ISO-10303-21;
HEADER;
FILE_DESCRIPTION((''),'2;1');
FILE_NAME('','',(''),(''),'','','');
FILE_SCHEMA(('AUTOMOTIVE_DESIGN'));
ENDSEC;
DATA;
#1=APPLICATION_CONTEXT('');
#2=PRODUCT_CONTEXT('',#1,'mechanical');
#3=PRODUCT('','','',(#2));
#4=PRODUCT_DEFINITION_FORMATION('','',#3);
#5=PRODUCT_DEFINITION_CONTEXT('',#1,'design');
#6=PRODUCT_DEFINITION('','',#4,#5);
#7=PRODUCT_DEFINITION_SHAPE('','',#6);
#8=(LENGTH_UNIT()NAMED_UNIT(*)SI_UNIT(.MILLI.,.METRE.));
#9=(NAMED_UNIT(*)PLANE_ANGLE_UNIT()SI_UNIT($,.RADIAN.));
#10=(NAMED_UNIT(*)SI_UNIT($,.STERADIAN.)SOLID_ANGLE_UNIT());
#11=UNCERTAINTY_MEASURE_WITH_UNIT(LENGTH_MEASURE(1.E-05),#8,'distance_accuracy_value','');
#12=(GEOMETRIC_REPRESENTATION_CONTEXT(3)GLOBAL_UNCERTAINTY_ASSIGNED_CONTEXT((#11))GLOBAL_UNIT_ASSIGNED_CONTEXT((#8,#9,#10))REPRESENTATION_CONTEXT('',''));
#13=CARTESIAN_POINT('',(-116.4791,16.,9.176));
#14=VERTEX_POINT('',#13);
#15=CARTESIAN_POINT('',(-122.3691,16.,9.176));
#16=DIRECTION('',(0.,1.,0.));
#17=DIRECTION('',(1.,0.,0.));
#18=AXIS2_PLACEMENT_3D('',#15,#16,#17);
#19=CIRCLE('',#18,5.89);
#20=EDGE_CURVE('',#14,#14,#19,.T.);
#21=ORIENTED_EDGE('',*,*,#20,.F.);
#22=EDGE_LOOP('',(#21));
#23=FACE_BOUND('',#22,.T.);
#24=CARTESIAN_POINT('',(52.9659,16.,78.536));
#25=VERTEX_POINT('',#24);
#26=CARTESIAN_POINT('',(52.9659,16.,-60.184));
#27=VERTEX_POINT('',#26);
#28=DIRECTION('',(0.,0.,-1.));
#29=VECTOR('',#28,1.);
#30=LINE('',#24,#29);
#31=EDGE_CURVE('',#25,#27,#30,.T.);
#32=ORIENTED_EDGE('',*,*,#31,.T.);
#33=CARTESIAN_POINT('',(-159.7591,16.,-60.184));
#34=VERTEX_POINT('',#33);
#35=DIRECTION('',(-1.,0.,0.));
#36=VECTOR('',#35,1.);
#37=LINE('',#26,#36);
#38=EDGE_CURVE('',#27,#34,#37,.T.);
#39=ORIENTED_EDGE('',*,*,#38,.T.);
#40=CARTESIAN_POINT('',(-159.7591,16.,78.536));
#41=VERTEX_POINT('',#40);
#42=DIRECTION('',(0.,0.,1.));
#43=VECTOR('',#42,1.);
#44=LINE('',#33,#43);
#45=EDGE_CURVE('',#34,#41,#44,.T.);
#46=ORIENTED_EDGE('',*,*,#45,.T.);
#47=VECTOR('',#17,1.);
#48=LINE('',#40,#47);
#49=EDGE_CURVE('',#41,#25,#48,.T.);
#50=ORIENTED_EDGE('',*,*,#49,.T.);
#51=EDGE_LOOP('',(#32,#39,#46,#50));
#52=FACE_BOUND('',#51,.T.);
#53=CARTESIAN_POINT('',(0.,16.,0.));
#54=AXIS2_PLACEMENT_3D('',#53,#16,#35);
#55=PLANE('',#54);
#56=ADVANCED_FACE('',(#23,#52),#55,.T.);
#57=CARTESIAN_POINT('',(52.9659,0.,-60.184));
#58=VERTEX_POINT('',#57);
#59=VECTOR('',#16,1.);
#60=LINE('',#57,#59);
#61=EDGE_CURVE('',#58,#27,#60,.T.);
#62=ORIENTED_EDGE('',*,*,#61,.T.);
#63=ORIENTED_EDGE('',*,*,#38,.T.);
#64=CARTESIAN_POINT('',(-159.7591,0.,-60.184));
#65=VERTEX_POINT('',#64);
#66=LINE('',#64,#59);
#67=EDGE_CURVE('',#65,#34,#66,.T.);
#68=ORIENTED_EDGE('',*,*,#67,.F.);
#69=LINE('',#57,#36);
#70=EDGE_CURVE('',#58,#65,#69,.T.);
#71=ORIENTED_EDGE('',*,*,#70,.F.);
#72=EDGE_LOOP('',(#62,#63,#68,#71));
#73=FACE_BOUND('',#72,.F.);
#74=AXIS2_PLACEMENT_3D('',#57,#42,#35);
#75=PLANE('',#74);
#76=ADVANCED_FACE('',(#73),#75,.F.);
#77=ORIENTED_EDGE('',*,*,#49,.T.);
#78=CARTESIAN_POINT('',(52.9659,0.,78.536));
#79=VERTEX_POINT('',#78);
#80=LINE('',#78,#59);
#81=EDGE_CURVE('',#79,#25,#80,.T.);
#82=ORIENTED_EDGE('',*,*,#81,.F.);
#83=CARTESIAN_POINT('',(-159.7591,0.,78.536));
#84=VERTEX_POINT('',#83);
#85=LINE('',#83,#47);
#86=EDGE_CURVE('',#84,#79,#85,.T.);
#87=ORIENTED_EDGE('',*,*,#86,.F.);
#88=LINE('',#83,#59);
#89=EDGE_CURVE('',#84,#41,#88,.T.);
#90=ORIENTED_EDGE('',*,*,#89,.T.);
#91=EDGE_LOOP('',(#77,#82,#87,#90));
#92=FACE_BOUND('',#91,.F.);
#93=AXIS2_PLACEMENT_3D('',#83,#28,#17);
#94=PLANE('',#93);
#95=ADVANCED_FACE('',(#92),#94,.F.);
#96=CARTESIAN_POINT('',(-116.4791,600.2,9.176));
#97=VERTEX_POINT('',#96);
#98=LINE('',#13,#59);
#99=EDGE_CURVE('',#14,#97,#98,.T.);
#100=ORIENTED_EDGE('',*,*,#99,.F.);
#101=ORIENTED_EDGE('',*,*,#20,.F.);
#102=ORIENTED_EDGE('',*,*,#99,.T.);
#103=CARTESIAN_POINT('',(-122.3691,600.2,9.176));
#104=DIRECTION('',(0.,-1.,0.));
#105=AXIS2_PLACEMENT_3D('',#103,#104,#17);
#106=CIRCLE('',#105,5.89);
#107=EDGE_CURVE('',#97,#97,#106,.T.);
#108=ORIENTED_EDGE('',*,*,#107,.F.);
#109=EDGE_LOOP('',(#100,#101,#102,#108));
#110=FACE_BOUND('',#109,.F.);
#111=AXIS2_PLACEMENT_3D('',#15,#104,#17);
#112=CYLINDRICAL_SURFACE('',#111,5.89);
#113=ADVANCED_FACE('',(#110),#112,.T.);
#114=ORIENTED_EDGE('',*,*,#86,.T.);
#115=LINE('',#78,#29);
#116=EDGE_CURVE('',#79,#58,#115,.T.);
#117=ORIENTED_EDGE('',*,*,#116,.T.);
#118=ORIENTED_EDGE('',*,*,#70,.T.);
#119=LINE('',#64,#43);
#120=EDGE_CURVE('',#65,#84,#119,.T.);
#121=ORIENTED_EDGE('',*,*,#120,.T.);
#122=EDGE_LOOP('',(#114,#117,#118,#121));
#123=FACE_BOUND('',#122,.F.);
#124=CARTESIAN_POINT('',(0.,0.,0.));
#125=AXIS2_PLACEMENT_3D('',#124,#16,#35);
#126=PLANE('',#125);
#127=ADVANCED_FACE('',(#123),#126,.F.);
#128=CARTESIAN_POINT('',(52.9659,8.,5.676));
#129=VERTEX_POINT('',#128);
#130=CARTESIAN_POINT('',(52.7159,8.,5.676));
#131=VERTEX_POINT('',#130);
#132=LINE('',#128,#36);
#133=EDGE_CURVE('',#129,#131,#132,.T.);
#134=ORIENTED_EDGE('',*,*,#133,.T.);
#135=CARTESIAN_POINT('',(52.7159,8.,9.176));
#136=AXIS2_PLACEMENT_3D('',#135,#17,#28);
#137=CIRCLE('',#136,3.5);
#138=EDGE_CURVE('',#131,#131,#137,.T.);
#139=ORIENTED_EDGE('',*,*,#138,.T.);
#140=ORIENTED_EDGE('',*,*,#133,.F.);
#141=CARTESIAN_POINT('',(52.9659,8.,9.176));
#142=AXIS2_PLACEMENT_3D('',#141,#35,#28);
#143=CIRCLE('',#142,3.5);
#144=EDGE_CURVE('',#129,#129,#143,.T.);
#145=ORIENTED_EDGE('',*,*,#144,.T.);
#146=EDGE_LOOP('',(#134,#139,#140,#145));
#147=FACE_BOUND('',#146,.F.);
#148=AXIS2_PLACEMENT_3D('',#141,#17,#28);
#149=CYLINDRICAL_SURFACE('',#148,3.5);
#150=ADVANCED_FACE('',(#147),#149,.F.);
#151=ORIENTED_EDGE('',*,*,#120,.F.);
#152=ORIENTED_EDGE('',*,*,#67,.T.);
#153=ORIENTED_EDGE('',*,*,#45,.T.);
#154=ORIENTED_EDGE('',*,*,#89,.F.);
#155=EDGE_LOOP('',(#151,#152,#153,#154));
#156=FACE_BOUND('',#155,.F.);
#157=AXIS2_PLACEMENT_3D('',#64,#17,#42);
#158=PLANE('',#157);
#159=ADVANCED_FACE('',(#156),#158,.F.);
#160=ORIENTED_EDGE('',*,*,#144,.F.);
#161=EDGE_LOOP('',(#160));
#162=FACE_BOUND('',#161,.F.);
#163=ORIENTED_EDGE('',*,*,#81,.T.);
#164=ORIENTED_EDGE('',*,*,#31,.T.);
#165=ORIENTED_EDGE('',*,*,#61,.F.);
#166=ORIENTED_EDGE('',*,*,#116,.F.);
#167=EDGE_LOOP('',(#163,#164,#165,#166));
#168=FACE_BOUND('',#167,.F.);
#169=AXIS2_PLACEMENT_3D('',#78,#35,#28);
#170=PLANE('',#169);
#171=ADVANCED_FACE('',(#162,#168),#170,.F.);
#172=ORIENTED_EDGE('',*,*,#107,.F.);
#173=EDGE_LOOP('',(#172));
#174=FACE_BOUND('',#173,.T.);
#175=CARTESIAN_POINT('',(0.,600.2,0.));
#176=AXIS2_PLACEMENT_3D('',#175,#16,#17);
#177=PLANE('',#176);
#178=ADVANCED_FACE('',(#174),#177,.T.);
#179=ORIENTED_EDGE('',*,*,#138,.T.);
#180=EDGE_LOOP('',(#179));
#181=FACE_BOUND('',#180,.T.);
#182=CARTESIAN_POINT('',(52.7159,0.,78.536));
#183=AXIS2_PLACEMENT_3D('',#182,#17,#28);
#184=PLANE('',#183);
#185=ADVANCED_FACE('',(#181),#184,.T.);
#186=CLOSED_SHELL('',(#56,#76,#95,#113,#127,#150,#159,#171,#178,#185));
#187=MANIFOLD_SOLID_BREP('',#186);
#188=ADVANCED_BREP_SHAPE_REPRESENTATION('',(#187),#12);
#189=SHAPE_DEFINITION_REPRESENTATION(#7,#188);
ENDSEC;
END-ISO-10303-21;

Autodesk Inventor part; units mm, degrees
ref_plane "YZ Plane" through (0, 0, 0) normal (1, 0, 0) x (0, 1, 0)
ref_plane "XZ Plane" through (0, 0, 0) normal (0, 1, 0) x (-1, 0, 0)
ref_plane "XY Plane" through (0, 0, 0) normal (0, 0, 1) x (1, 0, 0)
sketch "Sketch1" plane through (0, 0, 0) normal (0, 1, 0) x (-1, 0, 0)
  line L0 (159.7591, 78.536) -> (-52.9659, 78.536)
  line L1 (-52.9659, 78.536) -> (-52.9659, -60.184)
  line L2 (-52.9659, -60.184) -> (159.7591, -60.184)
  line L3 (159.7591, -60.184) -> (159.7591, 78.536)
  point P0 (0, 0)
  dimension "d0" = 138.72
  dimension "d1" = 212.725
extrude "Extrusion1" add sketch "Sketch1" along normal blind 16
sketch "Sketch2" plane through (0, 16, 0) normal (0, 1, 0) x (1, 0, 0)
  line L0 (-159.7591, -78.536) -> (52.9659, -78.536) projected
  line L1 (52.9659, -78.536) -> (52.9659, 60.184) projected
  line L2 (52.9659, 60.184) -> (-159.7591, 60.184) projected
  line L3 (-159.7591, 60.184) -> (-159.7591, -78.536) projected
  line L4 (-159.7591, 60.184) -> (-159.7591, -78.536) projected
  line L5 (-159.7591, -9.176) -> (52.9659, -9.176)
  line L6 (52.9659, -78.536) -> (52.9659, 60.184) projected
  circle A0 centre (-122.3691, -9.176) radius 5.89
  line L7 (-122.3691, -9.176) -> (-128.2591, -9.176)
  point P0 (0, 0)
  dimension "d4" = 11.78
  dimension "d5" = 31.5
extrude "Extrusion2" add sketch "Sketch2" along normal blind 584.2 contours A0 L5 | L5 A0
sketch "Sketch3" plane through (52.9659, 0, 78.536) normal (1, 0, 0) x (0, 0, -1)
  line L0 (0, 0) -> (138.72, 0) projected
  line L1 (138.72, 0) -> (138.72, 16) projected
  line L2 (0, 16) -> (138.72, 16) projected
  line L3 (0, 0) -> (0, 16) projected
  line L4 (0, 8) -> (138.72, 8)
  circle A0 centre (69.36, 8) radius 3.5
  point P0 (78.536, 0)
  dimension "d8" = 7
extrude "Extrusion3" cut sketch "Sketch3" against normal blind 0.25 contours A0 L4 | L4 A0
properties part number "teststand"
